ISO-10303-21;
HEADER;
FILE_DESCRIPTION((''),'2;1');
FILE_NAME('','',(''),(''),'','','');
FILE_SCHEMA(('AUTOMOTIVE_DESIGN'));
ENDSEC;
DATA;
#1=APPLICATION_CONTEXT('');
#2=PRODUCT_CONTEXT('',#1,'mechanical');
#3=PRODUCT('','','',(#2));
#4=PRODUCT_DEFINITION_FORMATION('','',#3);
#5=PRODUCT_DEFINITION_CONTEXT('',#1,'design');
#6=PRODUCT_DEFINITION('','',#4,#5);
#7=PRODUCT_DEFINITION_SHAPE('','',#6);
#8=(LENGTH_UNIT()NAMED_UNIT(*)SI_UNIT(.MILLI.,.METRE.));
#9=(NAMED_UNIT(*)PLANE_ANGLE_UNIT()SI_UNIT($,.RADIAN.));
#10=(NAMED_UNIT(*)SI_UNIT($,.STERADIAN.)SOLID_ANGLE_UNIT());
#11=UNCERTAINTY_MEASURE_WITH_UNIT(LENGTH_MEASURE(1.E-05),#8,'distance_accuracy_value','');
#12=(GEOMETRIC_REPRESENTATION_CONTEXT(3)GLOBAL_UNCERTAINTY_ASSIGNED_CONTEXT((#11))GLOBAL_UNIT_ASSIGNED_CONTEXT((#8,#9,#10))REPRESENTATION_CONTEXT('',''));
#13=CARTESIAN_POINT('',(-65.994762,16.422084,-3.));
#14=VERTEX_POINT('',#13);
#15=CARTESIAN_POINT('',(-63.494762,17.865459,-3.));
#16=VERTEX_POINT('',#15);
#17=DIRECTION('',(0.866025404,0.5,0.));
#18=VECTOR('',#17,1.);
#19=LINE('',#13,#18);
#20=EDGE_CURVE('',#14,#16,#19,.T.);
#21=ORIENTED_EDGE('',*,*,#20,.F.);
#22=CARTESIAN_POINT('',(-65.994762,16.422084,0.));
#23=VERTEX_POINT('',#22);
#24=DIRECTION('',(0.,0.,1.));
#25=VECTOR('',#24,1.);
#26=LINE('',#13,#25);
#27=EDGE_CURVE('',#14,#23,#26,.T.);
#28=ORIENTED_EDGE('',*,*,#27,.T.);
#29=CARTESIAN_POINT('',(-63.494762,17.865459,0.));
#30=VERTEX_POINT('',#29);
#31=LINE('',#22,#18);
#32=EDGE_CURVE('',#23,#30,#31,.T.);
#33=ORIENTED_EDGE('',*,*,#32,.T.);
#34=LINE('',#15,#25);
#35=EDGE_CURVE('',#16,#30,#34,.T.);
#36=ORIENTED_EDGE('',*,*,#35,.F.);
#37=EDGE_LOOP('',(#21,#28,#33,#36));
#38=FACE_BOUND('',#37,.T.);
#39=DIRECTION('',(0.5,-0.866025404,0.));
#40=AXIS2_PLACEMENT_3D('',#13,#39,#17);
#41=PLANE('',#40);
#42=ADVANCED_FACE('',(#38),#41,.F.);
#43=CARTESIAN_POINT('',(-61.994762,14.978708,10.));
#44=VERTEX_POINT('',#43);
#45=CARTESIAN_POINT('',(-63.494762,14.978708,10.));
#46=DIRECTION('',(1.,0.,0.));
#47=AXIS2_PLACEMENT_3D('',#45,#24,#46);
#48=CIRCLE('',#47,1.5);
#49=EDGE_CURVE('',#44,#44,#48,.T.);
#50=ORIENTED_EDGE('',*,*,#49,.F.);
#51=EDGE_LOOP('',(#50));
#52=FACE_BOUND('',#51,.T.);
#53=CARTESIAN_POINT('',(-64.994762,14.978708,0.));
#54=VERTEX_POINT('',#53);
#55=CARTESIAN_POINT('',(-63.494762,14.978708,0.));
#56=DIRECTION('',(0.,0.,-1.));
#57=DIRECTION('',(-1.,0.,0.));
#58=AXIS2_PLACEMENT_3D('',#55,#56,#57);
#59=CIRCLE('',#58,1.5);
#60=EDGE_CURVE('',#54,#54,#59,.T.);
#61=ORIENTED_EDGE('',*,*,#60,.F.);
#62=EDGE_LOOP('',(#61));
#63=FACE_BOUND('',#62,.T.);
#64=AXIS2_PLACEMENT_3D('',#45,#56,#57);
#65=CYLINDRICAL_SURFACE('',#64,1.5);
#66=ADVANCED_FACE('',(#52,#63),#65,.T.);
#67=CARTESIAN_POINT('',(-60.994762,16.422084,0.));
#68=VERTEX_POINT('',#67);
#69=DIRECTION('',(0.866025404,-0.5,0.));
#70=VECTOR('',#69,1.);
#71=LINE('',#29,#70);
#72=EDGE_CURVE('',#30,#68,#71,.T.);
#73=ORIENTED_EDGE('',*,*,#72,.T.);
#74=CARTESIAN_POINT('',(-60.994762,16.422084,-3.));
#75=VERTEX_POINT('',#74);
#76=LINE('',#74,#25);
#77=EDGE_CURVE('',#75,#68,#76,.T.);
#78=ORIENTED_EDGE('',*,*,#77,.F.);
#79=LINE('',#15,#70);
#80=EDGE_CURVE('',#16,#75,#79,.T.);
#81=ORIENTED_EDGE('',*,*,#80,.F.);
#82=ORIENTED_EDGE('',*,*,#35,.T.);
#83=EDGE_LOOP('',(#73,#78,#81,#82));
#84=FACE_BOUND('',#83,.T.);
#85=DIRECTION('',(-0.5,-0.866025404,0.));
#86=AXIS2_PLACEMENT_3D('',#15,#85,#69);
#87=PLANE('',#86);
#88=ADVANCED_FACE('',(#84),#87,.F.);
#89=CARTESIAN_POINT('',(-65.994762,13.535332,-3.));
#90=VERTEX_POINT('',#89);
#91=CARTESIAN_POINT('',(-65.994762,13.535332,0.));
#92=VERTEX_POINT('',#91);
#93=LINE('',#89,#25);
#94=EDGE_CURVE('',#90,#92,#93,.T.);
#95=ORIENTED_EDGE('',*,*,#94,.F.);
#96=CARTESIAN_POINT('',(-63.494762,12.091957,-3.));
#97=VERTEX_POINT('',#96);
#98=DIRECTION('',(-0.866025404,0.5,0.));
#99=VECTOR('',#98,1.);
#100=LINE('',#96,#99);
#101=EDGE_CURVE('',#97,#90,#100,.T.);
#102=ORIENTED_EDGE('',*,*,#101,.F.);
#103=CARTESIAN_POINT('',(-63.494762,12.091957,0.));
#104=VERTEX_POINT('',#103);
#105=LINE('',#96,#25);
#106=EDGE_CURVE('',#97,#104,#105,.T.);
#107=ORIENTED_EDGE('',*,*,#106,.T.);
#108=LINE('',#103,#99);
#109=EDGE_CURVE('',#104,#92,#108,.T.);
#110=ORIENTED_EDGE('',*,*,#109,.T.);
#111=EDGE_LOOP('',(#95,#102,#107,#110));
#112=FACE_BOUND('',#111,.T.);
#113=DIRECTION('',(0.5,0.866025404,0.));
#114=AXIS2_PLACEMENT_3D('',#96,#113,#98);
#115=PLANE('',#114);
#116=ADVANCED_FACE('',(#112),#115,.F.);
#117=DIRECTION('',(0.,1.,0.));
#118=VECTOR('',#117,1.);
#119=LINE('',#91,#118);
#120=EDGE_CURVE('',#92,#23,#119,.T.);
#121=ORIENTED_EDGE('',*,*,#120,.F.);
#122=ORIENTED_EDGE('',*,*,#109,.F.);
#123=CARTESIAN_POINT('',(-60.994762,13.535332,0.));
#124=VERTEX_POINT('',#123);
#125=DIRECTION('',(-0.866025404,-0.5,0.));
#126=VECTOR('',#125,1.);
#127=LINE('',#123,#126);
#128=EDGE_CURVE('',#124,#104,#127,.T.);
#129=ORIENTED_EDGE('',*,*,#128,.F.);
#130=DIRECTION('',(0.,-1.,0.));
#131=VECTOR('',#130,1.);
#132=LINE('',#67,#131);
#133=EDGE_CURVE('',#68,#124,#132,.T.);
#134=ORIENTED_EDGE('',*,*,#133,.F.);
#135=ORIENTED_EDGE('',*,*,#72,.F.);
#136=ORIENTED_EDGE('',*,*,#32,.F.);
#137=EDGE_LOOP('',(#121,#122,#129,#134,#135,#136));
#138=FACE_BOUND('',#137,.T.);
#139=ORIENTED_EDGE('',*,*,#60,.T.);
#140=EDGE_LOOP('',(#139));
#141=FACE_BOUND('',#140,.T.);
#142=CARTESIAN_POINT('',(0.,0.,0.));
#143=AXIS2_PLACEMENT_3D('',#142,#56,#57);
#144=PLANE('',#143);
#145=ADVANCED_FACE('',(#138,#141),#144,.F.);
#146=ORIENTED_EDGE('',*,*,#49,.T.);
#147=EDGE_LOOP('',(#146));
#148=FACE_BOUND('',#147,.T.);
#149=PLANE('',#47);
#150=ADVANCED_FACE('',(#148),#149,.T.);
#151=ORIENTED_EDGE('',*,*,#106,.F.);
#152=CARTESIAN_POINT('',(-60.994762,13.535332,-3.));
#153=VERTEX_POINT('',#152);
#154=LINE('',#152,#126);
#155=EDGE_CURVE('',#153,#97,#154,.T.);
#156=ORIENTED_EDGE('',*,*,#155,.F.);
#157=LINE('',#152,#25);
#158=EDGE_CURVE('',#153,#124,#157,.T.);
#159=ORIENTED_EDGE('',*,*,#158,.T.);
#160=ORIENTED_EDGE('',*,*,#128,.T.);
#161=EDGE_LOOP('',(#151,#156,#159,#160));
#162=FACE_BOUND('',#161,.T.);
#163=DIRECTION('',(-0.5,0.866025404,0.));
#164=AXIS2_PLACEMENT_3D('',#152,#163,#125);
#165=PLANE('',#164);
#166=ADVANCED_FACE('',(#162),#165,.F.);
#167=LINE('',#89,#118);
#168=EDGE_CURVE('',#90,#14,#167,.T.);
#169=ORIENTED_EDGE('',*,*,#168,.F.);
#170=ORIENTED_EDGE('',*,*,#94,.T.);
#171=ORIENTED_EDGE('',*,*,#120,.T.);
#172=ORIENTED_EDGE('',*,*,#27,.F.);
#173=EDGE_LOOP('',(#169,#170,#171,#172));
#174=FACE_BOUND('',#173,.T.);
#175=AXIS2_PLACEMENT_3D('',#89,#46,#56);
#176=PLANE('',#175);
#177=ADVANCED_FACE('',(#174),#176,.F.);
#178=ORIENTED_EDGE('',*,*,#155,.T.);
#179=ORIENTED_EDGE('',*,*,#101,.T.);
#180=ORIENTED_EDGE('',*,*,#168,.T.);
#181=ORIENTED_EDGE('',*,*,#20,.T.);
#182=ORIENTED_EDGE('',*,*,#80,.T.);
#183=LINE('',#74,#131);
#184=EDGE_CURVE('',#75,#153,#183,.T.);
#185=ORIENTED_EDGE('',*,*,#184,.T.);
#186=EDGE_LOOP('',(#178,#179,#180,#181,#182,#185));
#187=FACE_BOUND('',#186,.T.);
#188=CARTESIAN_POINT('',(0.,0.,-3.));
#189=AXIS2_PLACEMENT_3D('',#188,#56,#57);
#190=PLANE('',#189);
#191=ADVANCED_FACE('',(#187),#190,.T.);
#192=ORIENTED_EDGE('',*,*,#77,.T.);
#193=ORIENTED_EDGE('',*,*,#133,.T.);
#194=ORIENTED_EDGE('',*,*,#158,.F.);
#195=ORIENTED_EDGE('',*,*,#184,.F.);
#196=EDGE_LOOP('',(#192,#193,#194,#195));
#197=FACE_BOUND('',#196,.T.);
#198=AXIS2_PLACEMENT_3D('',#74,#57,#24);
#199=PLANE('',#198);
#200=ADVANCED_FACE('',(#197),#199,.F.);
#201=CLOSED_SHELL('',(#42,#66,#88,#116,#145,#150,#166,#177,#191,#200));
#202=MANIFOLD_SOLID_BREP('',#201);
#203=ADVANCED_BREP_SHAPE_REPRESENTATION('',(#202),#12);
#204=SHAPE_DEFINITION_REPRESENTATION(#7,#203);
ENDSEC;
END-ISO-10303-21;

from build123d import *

# Parameters (mm, degrees)
SKETCH1_R           = 1.5
BOSS_EXTRUDE1_DEPTH = 10
BOSS_EXTRUDE2_DEPTH = 3


with BuildPart() as part:
    # Sketch1 → Boss-Extrude1 (new body)
    with BuildSketch(Plane.XY):
        with Locations((-63.49476159, 14.978708134)):
            Circle(SKETCH1_R)
    extrude(amount=BOSS_EXTRUDE1_DEPTH)

    # Sketch2 → Boss-Extrude2 (add)
    with BuildSketch(Plane(origin=(0, 0, 0), x_dir=(-1, 0, 0), z_dir=(0, 0, -1))):
        Polygon((63.49476159, 12.091956788), (65.99476159, 13.535332461), (65.99476159, 16.422083807), (63.49476159, 17.86545948), (60.99476159, 16.422083807), (60.99476159, 13.535332461), align=None)
    extrude(amount=BOSS_EXTRUDE2_DEPTH)


solid = part.part
